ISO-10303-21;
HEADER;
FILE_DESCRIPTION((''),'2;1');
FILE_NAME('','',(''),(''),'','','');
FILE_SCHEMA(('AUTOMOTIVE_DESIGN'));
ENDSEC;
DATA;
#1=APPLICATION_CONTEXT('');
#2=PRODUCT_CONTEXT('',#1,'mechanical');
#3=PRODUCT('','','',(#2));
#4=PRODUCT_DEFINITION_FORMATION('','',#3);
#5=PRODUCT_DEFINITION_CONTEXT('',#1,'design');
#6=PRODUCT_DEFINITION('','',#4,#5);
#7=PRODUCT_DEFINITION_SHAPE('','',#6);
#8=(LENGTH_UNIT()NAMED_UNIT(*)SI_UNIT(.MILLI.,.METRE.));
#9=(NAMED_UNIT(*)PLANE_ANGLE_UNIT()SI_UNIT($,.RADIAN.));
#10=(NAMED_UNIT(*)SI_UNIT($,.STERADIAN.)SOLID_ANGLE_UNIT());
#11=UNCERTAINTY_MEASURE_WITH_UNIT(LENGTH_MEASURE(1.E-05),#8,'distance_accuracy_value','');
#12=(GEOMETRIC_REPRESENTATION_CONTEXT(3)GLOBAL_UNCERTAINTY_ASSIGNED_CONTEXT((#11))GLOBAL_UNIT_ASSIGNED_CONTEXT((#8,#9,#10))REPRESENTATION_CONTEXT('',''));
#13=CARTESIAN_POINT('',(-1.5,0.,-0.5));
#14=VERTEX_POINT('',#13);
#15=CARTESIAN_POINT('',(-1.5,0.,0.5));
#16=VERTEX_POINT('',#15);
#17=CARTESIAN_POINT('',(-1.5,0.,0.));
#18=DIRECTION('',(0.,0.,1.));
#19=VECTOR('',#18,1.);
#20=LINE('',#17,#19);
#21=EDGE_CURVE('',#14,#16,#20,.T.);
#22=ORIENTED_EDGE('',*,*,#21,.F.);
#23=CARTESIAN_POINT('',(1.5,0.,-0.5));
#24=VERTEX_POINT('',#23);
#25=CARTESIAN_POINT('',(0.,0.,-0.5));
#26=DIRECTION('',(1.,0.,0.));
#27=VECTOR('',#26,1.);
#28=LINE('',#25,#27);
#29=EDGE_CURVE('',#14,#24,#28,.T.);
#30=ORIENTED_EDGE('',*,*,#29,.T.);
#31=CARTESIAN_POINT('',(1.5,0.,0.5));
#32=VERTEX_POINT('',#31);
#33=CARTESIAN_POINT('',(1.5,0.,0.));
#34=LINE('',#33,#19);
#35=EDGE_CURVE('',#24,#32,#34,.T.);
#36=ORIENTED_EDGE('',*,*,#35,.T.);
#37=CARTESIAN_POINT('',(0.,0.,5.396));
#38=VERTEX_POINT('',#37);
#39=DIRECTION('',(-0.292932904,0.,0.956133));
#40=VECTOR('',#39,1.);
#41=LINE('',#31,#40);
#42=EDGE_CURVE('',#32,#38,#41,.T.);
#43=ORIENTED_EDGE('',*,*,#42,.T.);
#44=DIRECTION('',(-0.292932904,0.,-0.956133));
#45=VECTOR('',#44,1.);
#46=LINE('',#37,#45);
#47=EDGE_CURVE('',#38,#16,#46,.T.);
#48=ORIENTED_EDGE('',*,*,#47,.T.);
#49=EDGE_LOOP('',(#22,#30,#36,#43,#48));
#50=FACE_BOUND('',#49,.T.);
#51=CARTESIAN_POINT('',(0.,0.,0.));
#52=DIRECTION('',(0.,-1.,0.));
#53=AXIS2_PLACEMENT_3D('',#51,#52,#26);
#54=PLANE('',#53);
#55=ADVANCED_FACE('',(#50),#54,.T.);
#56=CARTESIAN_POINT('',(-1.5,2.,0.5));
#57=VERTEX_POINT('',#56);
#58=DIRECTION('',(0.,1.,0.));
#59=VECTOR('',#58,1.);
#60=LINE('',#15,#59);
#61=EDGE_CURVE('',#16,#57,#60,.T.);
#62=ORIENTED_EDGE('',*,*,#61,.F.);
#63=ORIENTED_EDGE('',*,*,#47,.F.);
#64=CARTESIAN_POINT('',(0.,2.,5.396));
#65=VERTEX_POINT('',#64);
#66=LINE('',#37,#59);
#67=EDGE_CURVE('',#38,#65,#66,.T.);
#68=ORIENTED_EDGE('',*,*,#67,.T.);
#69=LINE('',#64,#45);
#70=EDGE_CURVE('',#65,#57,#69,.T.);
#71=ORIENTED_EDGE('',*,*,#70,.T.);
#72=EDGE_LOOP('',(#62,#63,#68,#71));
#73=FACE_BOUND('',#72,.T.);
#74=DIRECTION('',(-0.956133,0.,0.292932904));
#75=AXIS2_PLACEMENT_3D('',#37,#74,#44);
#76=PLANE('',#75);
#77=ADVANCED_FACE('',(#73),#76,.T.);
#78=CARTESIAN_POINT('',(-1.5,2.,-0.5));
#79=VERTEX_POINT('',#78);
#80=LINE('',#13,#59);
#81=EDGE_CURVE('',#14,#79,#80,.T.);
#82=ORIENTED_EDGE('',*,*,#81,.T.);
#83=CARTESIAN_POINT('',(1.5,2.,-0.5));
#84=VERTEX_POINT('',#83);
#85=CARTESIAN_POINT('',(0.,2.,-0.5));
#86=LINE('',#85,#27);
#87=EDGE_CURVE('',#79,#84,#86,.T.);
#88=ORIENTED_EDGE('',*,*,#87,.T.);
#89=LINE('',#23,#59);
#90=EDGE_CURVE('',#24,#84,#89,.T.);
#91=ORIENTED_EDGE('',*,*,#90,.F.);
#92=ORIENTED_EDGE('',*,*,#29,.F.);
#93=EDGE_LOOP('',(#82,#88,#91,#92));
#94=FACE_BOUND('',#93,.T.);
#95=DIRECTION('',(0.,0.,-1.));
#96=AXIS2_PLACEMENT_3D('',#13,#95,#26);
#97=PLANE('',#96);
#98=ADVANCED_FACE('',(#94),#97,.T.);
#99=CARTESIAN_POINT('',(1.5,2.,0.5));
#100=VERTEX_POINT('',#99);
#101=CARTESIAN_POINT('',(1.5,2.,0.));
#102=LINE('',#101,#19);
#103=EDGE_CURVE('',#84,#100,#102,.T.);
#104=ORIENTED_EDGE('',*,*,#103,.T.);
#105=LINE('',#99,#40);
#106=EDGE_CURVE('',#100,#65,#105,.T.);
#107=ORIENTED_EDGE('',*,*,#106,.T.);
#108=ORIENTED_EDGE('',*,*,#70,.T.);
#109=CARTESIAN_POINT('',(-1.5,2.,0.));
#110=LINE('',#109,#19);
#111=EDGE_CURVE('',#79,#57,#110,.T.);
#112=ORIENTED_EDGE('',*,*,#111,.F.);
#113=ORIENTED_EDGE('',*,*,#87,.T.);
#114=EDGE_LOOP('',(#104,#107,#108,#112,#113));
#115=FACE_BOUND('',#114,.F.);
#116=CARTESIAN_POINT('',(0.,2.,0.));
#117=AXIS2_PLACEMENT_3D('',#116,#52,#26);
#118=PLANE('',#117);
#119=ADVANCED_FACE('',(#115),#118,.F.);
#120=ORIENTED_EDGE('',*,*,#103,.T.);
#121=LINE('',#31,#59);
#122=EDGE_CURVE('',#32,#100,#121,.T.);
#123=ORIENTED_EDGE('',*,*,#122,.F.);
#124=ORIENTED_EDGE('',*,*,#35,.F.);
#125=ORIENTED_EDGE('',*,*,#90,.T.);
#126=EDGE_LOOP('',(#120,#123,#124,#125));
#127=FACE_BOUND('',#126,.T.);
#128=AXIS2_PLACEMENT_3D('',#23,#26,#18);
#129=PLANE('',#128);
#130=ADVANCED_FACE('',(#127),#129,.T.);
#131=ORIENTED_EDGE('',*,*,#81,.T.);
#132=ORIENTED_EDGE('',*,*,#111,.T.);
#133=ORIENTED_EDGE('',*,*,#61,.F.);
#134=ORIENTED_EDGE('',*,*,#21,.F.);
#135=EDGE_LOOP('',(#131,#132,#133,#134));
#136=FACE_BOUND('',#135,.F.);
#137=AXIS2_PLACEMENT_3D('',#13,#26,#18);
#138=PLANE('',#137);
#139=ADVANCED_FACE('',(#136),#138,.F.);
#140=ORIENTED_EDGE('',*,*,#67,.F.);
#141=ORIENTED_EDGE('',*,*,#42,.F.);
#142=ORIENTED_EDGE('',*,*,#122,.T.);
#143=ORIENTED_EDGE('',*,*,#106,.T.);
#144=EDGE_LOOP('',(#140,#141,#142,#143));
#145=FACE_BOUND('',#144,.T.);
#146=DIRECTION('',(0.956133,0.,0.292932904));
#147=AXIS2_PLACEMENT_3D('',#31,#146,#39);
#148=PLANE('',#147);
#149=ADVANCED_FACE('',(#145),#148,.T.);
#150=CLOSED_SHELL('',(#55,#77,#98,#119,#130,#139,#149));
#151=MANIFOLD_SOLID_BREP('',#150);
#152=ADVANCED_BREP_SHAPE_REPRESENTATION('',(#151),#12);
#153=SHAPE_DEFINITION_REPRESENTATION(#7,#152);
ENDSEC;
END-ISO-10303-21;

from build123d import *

# Parameters (mm, degrees)
F0_W     = 3
F0_H     = 1
F1_DEPTH = 2


with BuildPart() as f1:
    # F0 (on Front) → F1 (new body)
    with BuildSketch(Plane.XZ):
        Rectangle(F0_W, F0_H)
        Polygon((-1.5, 0.5), (1.5, 0.5), (0, 5.396), align=None)
    extrude(amount=-F1_DEPTH)


solid = f1.part
